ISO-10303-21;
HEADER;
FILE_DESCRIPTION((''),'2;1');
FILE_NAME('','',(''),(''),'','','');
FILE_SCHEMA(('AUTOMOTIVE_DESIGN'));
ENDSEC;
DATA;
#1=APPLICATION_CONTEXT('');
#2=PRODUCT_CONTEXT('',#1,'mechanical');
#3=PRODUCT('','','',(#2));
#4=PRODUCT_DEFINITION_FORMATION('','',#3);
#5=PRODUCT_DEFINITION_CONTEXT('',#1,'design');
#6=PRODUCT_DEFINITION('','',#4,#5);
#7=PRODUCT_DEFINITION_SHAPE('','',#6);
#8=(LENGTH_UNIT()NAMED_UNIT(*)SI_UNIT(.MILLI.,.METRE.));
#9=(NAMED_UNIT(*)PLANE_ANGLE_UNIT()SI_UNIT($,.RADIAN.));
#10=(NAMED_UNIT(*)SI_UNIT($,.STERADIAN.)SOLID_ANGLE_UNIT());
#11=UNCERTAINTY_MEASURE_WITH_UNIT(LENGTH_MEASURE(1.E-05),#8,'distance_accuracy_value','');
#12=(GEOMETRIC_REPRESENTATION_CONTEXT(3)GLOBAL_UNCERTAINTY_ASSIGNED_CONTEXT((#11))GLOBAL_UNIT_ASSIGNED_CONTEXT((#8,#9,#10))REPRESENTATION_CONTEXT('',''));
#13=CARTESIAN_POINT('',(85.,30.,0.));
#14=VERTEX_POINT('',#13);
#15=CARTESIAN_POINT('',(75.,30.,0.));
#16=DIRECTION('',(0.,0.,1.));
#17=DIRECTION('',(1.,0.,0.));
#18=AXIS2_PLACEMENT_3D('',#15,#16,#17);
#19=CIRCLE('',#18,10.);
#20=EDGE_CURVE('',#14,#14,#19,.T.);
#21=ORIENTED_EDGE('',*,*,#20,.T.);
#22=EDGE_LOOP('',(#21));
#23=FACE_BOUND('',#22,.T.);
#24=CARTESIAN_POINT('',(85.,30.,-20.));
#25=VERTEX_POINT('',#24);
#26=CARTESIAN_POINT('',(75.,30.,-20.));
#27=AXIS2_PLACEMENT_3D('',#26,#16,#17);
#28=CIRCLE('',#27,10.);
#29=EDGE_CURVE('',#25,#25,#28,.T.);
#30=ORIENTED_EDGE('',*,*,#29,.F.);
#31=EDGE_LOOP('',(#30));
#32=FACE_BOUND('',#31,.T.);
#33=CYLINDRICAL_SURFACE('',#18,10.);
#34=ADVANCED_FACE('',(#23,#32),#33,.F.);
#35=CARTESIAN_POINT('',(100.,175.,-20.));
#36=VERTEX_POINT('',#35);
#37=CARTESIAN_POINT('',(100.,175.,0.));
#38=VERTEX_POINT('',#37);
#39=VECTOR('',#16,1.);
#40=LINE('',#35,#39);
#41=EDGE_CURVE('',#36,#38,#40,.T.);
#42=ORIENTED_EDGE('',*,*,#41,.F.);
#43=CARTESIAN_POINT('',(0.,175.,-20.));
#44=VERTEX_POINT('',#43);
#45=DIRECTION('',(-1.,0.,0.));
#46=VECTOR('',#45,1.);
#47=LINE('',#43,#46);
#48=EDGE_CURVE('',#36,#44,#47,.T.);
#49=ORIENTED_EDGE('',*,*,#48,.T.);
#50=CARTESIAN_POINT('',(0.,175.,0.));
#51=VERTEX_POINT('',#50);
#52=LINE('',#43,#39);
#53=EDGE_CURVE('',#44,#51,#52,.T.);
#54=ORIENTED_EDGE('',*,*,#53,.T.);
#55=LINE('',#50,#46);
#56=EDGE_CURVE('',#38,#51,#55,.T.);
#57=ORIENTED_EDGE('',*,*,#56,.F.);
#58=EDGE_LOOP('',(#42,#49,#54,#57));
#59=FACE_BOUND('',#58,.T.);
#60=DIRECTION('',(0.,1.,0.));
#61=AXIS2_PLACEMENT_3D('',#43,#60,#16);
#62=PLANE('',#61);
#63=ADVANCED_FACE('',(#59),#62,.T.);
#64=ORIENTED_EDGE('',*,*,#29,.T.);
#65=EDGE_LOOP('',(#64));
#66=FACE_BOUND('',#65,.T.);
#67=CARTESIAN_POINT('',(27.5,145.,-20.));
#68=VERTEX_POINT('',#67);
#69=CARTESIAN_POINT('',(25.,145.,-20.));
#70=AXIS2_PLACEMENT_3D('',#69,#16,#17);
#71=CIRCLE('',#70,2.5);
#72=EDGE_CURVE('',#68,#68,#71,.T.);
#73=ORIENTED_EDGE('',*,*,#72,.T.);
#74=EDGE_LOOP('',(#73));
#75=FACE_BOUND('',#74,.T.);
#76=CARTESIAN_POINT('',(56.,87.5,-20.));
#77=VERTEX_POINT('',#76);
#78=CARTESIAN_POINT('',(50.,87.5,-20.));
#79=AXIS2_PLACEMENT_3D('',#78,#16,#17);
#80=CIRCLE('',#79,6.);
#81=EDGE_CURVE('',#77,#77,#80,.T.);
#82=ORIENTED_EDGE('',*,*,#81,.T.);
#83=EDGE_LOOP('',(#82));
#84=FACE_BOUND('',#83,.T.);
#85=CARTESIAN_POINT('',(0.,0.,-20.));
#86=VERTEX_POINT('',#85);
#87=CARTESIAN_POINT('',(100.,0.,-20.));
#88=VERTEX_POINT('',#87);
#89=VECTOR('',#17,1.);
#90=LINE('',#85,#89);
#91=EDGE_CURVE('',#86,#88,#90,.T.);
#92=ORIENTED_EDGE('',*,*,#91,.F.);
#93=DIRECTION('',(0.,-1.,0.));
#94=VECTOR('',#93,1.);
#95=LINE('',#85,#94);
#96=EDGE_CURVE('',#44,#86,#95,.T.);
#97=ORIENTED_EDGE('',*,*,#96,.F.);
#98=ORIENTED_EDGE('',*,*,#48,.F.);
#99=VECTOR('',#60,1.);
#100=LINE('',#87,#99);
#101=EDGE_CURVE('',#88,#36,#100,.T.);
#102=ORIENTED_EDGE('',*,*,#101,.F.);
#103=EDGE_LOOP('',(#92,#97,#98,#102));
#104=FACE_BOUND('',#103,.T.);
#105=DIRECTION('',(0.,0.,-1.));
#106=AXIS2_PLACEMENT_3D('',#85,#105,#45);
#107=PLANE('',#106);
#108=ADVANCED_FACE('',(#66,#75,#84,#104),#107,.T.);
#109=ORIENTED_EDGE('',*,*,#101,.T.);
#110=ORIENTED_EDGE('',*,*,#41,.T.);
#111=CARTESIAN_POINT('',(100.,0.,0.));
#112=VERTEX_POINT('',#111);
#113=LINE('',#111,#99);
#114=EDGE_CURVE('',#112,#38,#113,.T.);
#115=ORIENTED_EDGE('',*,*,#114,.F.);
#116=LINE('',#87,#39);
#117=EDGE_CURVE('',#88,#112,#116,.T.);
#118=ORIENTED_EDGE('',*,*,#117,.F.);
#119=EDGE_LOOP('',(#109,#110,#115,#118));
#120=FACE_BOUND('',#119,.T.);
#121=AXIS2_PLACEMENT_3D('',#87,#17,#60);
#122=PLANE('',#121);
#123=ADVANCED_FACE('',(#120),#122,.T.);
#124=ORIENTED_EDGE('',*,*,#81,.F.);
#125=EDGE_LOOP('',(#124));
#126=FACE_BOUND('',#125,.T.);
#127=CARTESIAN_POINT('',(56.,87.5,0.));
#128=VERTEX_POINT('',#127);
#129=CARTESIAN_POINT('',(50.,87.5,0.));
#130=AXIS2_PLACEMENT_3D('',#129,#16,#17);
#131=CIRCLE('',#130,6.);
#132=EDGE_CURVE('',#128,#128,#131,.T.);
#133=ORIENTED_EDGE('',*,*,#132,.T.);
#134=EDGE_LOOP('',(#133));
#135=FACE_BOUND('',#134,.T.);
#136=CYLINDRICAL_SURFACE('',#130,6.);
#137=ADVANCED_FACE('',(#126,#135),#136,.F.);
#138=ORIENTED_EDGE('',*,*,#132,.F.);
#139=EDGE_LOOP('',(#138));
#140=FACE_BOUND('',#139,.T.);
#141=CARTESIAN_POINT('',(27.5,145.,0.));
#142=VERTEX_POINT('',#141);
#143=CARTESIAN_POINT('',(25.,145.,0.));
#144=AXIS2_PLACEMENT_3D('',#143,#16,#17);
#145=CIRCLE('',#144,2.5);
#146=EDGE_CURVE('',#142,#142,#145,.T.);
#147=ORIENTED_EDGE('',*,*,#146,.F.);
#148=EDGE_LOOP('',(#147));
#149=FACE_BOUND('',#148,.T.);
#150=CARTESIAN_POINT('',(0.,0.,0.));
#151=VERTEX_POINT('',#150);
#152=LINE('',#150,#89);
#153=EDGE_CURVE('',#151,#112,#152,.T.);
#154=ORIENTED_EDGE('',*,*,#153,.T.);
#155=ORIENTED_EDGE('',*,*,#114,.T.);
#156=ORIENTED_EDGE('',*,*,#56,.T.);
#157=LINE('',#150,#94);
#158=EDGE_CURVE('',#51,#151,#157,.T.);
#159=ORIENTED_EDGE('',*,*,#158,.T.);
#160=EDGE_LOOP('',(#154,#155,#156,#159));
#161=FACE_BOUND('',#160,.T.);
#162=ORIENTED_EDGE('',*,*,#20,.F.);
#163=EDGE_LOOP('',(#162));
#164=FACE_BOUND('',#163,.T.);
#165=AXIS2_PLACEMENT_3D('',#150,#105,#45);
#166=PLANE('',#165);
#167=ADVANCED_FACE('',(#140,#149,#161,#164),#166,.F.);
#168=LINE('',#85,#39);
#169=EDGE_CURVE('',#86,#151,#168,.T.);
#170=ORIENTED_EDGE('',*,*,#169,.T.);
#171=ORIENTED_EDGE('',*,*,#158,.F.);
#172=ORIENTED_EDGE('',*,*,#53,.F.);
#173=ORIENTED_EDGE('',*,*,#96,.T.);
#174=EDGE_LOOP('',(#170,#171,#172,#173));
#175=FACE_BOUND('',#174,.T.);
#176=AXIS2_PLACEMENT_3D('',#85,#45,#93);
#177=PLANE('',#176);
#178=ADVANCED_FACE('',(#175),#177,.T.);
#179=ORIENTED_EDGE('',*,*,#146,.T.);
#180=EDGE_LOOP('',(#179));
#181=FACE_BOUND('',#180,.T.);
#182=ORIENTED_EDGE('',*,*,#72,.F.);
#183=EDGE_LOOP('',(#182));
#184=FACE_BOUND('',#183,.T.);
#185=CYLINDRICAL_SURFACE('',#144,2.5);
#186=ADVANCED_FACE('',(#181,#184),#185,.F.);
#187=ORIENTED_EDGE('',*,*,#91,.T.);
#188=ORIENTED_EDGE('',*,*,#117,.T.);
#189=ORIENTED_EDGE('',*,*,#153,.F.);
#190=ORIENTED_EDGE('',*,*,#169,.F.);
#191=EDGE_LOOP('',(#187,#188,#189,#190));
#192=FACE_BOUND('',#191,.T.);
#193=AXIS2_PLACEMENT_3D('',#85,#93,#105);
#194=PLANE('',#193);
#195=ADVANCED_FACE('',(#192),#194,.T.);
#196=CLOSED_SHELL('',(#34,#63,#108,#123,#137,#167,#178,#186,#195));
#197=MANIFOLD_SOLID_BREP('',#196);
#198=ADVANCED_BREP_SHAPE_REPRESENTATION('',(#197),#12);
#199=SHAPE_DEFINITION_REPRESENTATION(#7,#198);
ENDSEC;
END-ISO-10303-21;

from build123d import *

# Parameters (mm, degrees)
SKETCH1_W                  = 100
SKETCH1_H                  = 175
BOSS_EXTRUDE1_DEPTH        = 20
F_5_0_5_DIAMETER_HOLE1_D   = 5
F_12_0_12_DIAMETER_HOLE1_D = 12
F_20_0_20_DIAMETER_HOLE1_D = 20


with BuildPart() as part:
    # Sketch1 → Boss-Extrude1 (new body)
    with BuildSketch(Plane.XY):
        with Locations((50, 87.5)):
            Rectangle(SKETCH1_W, SKETCH1_H)
    extrude(amount=-BOSS_EXTRUDE1_DEPTH)

    # Ø5.0 (5) Diameter Hole1 (through all)
    with Locations(Plane.XY):
        with Locations((25, 145)):
            Hole(F_5_0_5_DIAMETER_HOLE1_D / 2)

    # Ø12.0 (12) Diameter Hole1 (through all)
    with Locations(Plane.XY):
        with Locations((50, 87.5)):
            Hole(F_12_0_12_DIAMETER_HOLE1_D / 2)

    # Ø20.0 (20) Diameter Hole1 (through all)
    with Locations(Plane.XY):
        with Locations((75, 30)):
            Hole(F_20_0_20_DIAMETER_HOLE1_D / 2)


solid = part.part
